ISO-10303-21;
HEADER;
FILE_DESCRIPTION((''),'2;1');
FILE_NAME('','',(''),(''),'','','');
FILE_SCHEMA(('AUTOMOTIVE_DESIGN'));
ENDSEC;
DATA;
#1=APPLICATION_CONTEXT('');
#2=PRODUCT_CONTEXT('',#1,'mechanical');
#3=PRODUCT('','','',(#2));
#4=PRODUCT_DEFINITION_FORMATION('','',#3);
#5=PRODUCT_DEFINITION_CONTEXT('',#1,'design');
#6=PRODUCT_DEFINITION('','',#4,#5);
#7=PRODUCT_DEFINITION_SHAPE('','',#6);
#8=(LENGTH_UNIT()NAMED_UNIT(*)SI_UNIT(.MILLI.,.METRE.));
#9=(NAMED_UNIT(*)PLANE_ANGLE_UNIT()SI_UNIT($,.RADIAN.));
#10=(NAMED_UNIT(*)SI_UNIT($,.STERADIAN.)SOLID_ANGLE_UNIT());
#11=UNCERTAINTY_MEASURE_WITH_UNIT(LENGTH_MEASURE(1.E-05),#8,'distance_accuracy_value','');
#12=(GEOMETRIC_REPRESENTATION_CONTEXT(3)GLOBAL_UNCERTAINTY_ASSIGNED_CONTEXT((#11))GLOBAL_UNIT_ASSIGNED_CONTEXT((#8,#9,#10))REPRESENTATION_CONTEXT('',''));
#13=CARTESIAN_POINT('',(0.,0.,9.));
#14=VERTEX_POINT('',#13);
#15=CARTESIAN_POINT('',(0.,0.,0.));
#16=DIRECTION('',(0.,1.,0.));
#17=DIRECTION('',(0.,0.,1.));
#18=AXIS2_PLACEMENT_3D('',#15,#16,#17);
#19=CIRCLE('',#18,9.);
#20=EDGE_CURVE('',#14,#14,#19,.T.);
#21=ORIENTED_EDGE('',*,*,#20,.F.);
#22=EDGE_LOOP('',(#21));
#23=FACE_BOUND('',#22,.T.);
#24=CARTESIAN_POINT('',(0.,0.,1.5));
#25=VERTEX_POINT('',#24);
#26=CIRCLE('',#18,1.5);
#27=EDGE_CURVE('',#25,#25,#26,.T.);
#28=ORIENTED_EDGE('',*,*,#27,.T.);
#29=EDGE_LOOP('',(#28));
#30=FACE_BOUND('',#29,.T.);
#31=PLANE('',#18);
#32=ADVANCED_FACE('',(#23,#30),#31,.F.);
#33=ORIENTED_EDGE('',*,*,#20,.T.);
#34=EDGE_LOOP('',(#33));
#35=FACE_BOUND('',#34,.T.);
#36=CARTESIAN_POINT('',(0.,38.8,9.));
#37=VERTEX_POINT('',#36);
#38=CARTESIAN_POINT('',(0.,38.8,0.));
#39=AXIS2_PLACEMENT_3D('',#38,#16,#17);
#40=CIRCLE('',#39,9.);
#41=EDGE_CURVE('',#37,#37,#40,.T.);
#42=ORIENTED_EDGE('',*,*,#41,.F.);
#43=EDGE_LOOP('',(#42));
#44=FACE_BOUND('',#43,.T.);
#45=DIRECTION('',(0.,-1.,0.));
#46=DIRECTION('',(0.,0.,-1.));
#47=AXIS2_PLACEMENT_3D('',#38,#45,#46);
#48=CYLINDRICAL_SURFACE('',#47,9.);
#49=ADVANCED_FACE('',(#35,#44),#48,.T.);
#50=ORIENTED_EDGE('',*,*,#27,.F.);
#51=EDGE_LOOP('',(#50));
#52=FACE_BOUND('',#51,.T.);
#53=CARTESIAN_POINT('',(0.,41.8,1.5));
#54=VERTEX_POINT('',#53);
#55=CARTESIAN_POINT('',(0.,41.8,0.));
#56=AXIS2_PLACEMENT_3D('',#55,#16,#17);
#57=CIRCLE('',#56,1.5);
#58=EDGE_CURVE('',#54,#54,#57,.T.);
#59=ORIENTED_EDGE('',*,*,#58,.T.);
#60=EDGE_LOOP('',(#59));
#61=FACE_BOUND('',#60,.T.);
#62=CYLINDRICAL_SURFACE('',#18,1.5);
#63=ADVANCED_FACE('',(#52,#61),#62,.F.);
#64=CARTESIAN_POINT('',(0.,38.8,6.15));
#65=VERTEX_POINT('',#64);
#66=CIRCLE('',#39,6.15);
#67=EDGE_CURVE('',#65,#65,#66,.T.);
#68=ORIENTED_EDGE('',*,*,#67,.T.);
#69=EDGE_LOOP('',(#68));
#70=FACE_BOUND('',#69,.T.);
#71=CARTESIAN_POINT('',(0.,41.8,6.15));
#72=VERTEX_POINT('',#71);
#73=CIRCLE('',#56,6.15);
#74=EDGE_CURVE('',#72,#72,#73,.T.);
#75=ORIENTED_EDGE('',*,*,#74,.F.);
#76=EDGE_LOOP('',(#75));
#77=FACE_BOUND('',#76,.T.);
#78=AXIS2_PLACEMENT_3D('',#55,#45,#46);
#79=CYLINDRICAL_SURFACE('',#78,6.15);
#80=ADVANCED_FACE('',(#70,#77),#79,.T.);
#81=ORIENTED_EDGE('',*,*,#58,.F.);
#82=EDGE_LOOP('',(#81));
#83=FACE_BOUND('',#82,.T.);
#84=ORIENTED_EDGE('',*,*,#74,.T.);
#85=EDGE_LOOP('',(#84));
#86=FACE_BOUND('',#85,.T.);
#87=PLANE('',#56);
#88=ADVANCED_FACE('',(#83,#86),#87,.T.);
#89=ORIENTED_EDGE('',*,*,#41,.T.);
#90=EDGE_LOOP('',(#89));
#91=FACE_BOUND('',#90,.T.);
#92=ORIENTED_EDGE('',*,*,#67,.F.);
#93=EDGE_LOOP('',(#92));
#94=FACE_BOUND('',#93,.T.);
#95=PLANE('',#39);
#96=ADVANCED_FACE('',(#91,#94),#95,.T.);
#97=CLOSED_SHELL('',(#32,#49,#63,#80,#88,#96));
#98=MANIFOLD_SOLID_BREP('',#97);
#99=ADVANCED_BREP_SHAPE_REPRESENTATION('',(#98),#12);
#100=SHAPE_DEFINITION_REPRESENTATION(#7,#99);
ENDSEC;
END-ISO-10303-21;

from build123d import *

# Parameters (mm, degrees)
ESBO_O1_R                = 9
ESBO_O1_R_2              = 6.15
RESSALTO_EXTRUS_O1_DEPTH = 38.8
ESBO_O1_2_R              = 6.15
RESSALTO_EXTRUS_O2_DEPTH = 41.8
ESBO_O2_R                = 1.5
CORTE_EXTRUS_O1_DEPTH    = 44.694850955


with BuildPart() as part:
    # Esboço1 → Ressalto-extrusão1 (new body)
    with BuildSketch(Plane(origin=(0, 0, 0), x_dir=(1, 0, 0), z_dir=(0, 1, 0))):
        Circle(ESBO_O1_R)
        Circle(ESBO_O1_R_2, mode=Mode.SUBTRACT)
    extrude(amount=RESSALTO_EXTRUS_O1_DEPTH)

    # Esboço1<2> → Ressalto-extrusão2 (add)
    with BuildSketch(Plane(origin=(0, 0, 0), x_dir=(1, 0, 0), z_dir=(0, 1, 0))):
        Circle(ESBO_O1_2_R)
    extrude(amount=RESSALTO_EXTRUS_O2_DEPTH)

    # Esboço2 → Corte-extrusão1 (cut, through all)
    with BuildSketch(Plane(origin=(0, 41.8, 0), x_dir=(1, 0, 0), z_dir=(0, 1, 0))):
        Circle(ESBO_O2_R)
    extrude(amount=-CORTE_EXTRUS_O1_DEPTH, mode=Mode.SUBTRACT)


solid = part.part
